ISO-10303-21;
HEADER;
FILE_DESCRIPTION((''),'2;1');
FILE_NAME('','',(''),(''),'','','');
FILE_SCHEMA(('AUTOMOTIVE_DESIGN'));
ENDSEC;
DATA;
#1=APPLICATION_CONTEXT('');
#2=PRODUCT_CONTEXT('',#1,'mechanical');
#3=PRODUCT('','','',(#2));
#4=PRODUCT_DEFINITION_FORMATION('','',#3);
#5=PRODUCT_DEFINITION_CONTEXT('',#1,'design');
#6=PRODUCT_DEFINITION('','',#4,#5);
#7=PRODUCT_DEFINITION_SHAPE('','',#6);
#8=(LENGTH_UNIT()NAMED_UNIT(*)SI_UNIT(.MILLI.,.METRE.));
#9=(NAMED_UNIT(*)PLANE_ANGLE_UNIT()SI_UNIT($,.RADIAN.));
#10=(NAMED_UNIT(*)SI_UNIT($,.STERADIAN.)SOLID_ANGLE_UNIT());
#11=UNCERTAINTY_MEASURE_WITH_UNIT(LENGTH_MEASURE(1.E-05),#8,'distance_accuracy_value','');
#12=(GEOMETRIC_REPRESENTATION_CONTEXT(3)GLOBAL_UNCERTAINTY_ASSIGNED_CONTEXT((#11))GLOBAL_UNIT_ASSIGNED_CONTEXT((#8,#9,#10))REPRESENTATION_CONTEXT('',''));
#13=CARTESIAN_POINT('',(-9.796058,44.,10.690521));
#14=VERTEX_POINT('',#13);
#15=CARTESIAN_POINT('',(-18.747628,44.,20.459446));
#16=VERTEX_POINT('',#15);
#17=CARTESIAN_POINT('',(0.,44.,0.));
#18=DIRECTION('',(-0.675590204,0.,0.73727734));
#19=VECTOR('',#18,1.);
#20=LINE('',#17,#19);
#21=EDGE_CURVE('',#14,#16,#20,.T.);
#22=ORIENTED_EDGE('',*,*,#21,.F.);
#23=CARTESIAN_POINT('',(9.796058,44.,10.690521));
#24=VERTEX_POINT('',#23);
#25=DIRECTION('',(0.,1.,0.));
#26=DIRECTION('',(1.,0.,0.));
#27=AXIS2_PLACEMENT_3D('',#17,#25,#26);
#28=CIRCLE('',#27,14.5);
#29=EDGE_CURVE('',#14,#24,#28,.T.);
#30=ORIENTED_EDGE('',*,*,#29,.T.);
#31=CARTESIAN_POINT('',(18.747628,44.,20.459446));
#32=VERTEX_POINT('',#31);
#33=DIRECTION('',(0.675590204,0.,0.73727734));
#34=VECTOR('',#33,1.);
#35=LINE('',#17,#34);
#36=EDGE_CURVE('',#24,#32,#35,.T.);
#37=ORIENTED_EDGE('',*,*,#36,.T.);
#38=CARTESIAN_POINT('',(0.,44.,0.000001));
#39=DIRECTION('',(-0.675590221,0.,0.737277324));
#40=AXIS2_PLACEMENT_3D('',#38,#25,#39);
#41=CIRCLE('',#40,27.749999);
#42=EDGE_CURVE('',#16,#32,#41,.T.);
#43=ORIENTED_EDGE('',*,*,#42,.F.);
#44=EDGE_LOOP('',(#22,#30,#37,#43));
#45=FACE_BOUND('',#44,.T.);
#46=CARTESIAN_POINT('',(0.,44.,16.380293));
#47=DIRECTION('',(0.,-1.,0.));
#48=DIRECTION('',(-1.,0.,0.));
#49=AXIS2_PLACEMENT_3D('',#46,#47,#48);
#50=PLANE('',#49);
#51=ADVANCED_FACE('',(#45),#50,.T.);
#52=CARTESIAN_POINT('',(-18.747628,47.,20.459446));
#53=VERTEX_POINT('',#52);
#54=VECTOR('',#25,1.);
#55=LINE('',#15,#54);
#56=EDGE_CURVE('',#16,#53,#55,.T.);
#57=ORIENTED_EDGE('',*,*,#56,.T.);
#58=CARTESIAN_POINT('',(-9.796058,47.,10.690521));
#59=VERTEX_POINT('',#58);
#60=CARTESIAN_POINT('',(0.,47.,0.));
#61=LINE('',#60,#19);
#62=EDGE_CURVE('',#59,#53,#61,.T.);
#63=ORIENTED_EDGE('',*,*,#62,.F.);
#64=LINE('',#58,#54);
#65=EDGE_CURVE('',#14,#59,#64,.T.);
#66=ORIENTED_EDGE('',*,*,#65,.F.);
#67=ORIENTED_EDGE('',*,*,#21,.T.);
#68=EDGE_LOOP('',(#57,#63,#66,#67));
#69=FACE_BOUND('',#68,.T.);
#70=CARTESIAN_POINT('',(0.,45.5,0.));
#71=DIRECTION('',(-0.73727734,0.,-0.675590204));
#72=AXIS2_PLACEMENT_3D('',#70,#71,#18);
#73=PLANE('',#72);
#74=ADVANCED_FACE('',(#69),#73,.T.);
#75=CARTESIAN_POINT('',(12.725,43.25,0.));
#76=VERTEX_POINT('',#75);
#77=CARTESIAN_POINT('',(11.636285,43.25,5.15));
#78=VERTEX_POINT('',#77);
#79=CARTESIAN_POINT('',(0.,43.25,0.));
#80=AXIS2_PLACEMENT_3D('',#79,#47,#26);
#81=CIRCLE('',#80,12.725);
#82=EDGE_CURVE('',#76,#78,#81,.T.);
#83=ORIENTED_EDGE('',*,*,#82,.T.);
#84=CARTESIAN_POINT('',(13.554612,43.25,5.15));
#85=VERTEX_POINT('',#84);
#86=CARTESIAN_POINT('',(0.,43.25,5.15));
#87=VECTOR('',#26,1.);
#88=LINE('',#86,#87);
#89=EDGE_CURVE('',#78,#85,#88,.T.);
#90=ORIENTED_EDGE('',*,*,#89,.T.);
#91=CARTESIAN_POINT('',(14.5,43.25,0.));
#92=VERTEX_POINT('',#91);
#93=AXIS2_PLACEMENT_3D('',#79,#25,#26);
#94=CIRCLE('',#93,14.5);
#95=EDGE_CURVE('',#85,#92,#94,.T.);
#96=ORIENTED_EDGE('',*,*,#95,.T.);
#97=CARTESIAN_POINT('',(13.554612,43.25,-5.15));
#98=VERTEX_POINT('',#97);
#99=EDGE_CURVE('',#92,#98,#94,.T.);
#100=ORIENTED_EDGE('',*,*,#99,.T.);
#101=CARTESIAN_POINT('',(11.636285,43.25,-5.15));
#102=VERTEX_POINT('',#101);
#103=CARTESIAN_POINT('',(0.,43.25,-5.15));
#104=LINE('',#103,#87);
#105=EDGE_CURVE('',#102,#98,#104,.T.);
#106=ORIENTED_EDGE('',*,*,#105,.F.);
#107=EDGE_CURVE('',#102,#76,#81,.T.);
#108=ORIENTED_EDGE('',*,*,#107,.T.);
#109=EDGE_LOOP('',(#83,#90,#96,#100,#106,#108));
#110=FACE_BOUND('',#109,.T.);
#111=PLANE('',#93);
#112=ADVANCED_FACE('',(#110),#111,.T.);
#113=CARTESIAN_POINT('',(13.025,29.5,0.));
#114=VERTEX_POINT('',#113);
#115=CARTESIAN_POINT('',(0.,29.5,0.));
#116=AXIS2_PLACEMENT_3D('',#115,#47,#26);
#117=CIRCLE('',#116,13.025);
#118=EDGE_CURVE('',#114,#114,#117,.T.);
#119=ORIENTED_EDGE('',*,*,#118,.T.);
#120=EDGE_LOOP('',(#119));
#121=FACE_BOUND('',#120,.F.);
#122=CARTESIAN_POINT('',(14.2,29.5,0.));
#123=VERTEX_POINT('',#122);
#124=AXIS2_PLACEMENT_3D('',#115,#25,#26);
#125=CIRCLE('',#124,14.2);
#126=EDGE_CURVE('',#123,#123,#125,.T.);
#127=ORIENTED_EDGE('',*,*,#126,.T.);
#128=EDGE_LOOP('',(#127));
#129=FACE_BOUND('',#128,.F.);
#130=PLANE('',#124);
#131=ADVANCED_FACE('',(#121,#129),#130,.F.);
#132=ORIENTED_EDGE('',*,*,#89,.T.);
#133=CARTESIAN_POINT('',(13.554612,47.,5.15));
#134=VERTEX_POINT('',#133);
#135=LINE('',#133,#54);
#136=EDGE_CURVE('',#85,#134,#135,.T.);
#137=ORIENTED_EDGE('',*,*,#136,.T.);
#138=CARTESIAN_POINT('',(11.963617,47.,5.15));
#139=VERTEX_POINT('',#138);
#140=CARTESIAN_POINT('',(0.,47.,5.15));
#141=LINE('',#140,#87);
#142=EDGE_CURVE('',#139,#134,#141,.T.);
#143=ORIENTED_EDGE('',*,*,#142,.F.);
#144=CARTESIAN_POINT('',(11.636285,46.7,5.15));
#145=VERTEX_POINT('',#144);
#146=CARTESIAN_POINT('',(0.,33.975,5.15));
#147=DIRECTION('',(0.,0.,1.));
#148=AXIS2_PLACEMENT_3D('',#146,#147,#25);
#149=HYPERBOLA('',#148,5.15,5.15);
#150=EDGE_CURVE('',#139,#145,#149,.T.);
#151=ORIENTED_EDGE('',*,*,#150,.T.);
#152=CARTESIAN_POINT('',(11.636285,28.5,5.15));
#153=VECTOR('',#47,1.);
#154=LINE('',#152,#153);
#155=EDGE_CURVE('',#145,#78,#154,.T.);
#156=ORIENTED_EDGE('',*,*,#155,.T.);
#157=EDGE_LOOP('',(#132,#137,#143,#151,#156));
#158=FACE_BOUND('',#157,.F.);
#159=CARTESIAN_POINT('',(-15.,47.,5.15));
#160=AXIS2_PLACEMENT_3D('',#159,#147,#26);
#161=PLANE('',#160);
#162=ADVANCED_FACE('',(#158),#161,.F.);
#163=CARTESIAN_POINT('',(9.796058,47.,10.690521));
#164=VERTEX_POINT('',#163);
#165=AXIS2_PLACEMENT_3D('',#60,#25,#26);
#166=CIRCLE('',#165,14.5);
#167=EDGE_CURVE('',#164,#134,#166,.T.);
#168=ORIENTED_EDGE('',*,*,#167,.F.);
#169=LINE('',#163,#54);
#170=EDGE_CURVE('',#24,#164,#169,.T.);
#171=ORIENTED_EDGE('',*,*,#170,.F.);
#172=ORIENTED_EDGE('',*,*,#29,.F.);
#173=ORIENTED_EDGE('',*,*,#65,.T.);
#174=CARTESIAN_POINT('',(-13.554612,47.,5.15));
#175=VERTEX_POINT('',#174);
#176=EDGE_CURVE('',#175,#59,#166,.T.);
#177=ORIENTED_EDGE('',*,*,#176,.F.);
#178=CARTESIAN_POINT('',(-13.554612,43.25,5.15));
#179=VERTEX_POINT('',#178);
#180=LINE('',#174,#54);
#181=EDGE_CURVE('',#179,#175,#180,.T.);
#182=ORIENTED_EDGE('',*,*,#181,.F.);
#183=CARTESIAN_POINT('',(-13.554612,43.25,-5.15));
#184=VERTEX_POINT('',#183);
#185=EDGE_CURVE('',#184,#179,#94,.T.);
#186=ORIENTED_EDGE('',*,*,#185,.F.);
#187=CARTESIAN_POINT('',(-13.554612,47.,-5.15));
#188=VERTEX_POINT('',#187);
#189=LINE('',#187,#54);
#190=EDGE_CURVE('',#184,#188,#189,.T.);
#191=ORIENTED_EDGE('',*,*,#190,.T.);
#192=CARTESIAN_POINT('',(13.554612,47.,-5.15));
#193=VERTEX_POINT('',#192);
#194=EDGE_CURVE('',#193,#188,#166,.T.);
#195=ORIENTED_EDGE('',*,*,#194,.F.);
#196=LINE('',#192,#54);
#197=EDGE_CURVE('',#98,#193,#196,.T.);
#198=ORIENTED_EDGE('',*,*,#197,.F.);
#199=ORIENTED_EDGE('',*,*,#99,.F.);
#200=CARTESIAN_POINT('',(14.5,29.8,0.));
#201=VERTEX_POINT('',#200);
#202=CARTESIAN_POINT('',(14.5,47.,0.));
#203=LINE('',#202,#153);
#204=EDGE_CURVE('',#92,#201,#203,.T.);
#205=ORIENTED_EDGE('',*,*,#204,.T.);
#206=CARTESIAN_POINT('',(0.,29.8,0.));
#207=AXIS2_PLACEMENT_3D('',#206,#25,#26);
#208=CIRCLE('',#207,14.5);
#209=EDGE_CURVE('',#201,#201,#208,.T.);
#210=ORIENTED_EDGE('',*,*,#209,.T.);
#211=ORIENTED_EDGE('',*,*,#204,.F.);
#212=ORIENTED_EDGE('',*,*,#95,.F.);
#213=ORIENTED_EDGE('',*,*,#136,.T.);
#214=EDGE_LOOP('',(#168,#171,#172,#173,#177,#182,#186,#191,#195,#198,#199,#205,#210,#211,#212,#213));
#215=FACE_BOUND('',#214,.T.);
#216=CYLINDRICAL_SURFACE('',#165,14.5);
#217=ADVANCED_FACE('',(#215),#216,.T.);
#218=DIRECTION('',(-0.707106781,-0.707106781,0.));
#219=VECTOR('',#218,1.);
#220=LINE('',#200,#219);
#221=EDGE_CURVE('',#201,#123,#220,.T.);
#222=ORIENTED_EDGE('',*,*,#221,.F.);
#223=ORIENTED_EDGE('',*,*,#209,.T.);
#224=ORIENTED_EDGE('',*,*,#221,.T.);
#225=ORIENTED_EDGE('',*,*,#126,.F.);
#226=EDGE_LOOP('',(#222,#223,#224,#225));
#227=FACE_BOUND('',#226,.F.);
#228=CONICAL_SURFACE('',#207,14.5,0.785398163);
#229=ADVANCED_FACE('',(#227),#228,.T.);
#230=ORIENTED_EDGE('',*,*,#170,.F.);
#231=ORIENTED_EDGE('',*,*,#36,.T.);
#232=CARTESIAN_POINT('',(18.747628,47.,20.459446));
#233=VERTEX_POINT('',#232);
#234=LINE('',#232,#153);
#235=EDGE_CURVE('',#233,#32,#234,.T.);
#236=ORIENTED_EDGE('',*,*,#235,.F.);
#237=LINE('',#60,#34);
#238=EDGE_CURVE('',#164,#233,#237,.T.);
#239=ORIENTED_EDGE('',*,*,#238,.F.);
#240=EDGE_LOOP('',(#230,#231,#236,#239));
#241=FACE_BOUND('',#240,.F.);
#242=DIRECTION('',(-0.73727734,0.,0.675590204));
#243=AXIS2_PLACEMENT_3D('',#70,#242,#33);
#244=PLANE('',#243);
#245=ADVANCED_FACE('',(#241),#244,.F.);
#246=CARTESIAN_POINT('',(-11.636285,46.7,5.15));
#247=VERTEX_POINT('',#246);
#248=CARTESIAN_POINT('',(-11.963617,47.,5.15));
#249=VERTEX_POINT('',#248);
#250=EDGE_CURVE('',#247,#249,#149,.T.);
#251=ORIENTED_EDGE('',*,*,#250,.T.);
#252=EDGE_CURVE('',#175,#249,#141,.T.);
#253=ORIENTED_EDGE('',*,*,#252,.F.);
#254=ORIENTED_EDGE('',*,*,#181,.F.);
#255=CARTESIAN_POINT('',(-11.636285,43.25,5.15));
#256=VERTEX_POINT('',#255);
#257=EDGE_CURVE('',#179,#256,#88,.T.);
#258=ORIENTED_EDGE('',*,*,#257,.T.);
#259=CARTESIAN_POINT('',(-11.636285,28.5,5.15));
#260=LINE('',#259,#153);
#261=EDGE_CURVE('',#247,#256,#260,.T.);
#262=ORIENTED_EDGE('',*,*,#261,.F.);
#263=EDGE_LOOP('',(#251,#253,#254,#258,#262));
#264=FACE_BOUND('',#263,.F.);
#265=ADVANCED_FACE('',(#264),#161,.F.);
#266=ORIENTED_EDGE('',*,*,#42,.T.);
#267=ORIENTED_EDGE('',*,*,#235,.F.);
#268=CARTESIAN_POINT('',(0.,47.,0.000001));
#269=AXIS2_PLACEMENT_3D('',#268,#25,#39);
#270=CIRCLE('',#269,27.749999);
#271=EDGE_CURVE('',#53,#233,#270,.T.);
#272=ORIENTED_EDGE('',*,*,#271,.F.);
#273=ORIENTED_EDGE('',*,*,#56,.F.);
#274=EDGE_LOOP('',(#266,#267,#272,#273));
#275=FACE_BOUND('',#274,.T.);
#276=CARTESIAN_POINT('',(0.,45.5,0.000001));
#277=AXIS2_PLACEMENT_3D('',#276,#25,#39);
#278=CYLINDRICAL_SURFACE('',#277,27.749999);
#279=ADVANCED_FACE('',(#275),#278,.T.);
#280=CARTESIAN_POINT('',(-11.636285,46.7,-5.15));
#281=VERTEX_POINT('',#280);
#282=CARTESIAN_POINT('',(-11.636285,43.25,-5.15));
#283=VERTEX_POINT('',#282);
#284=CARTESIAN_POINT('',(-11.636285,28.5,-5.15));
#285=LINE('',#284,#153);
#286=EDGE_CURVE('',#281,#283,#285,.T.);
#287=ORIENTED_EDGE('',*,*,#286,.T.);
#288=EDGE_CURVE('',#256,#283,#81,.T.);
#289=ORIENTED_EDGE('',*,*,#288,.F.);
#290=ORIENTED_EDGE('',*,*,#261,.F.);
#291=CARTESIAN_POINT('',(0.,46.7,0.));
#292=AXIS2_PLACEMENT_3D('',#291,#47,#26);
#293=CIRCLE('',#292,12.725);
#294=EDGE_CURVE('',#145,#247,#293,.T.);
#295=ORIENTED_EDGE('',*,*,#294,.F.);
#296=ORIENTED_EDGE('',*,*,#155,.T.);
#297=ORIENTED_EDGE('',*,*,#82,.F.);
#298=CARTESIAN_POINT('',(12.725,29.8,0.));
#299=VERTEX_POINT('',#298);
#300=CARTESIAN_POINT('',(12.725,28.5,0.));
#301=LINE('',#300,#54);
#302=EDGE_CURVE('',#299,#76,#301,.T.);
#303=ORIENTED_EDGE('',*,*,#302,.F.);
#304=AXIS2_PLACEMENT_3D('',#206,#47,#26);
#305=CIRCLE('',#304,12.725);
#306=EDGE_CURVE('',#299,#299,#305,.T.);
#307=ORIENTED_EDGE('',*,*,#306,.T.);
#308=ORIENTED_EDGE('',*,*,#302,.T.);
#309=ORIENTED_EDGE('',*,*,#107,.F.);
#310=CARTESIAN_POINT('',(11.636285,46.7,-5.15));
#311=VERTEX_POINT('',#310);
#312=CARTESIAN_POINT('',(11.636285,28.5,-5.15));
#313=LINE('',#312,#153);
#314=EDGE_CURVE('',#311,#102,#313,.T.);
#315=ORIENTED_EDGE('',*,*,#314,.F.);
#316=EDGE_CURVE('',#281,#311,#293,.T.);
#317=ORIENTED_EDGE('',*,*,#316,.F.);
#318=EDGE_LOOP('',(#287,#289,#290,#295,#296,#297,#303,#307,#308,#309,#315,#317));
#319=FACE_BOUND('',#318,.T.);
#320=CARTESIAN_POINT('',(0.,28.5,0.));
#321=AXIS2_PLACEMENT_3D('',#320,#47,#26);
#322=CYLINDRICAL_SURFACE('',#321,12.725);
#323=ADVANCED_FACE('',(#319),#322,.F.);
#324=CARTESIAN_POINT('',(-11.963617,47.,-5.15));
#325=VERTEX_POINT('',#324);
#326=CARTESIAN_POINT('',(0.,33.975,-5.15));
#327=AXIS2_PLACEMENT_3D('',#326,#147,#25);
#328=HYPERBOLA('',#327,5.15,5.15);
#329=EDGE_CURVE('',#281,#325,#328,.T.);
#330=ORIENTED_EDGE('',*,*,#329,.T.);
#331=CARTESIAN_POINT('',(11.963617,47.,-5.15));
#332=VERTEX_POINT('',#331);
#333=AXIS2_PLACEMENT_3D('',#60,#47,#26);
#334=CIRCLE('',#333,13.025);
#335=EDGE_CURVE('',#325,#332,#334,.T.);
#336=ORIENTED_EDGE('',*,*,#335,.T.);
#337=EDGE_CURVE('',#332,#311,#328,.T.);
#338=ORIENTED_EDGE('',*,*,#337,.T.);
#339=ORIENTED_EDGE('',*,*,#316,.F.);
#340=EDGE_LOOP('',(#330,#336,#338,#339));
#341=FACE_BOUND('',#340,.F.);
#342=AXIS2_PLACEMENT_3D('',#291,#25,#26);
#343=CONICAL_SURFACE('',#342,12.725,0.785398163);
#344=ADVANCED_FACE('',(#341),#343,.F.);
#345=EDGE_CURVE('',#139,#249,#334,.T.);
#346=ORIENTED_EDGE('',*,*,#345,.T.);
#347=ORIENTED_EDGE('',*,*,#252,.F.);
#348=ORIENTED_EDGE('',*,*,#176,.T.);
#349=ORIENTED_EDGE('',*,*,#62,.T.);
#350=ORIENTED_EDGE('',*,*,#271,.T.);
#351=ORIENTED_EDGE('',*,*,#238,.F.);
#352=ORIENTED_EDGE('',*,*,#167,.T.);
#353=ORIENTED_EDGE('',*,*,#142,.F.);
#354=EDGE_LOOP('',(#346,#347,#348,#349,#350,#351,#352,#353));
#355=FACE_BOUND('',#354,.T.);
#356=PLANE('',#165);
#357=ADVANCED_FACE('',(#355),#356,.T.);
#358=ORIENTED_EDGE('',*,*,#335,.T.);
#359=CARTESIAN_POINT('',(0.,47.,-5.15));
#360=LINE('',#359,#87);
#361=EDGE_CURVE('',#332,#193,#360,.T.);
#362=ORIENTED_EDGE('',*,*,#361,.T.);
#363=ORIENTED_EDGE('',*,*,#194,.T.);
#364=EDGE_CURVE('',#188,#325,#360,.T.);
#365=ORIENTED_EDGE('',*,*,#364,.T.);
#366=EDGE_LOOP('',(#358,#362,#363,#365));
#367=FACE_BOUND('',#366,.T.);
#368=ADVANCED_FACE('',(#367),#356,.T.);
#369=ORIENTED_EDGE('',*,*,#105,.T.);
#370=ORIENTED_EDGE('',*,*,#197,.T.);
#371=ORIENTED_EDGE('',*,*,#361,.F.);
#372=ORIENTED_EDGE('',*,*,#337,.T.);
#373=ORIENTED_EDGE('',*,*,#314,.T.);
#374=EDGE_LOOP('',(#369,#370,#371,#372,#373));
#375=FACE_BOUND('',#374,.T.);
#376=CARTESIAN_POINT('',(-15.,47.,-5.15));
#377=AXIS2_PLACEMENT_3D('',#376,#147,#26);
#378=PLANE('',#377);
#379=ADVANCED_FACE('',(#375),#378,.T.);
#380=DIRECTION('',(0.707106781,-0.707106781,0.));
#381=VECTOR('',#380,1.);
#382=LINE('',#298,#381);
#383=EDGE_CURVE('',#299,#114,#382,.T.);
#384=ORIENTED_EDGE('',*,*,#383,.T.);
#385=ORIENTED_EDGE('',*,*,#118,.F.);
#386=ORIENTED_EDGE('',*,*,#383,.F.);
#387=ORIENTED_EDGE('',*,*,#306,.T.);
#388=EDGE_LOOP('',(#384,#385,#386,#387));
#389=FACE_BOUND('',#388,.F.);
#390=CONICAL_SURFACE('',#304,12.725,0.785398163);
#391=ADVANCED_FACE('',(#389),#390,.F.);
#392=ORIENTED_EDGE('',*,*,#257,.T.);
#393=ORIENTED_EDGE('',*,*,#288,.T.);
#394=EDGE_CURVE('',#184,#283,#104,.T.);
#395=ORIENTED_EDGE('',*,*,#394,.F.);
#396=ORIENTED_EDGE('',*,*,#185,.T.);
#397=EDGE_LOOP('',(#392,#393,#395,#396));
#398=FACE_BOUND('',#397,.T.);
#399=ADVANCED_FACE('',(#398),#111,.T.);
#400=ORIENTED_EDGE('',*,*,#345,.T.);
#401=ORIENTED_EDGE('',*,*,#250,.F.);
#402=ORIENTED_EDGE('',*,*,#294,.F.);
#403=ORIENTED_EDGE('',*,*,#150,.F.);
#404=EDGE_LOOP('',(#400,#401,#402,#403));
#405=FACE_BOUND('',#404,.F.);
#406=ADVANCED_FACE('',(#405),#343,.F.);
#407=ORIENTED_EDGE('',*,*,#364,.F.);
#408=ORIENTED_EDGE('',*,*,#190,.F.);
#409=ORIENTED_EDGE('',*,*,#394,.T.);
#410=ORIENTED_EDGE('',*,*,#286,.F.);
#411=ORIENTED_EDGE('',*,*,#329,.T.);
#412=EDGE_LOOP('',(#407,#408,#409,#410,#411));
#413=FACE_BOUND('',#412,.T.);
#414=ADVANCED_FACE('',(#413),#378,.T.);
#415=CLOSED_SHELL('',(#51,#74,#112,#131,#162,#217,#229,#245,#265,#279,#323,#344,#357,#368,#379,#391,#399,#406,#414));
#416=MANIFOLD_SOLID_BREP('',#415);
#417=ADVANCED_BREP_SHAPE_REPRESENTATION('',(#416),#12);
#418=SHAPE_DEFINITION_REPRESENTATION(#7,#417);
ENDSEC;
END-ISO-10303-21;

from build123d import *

# Parameters (mm, degrees)
SKETCH136_R             = 14.5
PAD078_DEPTH            = 17.5
PAD079_DEPTH            = 1.5
SKETCH138_R             = 12.725
POCKET051_DEPTH         = 18.501
CHAMFER_SIZE            = 0.3
CHAMFER001_SIZE         = 0.3
SKETCH_W                = 30
SKETCH_H                = 10.3
POCKET_DEPTH            = 3.75
BODY028_PLACEMENT_ANGLE = 90


with BuildPart() as part:
    # Sketch136 → Pad078 (new body)
    with BuildSketch(Plane.XY.offset(18.5)):
        Circle(SKETCH136_R)
    extrude(amount=-PAD078_DEPTH)

    # Sketch141 → Pad079 (join, symmetric)
    with BuildSketch(Plane.XY.offset(17)):
        with BuildLine():
            Line((0, 0), (18.747628, -20.459446))
            ThreePointArc((-18.747628, -20.459446), (0, -27.75), (18.747628, -20.459446))
            Line((0, 0), (-18.747628, -20.459446))
        make_face()
    extrude(amount=PAD079_DEPTH, both=True)

    # Sketch138 → Pocket051 (cut, through all)
    with BuildSketch(Plane.XY):
        Circle(SKETCH138_R)
    extrude(amount=POCKET051_DEPTH, mode=Mode.SUBTRACT)

    # Chamfer
    chamfer_edges = [part.edges().sort_by_distance(p)[0] for p in [
        (-12.725, 0, 1),
        (-14.5, 0, 1),
    ]]
    chamfer(chamfer_edges, length=CHAMFER_SIZE)

    # Chamfer001
    chamfer001_edges = [part.edges().sort_by_distance(p)[0] for p in [
        (0, -12.725, 18.5),
    ]]
    chamfer(chamfer001_edges, length=CHAMFER001_SIZE)

    # Sketch → Pocket (cut)
    with BuildSketch(Plane.XY.offset(18.5)):
        Rectangle(SKETCH_W, SKETCH_H)
    extrude(amount=-POCKET_DEPTH, mode=Mode.SUBTRACT)


with BuildPart() as part_1:
    # Body028 placement: moved
    add(part.part.moved(Location((0, 28.5, 0))).rotate(Axis((0, 28.5, 0), (-1, 0, 0)), BODY028_PLACEMENT_ANGLE))


solid = part_1.part
